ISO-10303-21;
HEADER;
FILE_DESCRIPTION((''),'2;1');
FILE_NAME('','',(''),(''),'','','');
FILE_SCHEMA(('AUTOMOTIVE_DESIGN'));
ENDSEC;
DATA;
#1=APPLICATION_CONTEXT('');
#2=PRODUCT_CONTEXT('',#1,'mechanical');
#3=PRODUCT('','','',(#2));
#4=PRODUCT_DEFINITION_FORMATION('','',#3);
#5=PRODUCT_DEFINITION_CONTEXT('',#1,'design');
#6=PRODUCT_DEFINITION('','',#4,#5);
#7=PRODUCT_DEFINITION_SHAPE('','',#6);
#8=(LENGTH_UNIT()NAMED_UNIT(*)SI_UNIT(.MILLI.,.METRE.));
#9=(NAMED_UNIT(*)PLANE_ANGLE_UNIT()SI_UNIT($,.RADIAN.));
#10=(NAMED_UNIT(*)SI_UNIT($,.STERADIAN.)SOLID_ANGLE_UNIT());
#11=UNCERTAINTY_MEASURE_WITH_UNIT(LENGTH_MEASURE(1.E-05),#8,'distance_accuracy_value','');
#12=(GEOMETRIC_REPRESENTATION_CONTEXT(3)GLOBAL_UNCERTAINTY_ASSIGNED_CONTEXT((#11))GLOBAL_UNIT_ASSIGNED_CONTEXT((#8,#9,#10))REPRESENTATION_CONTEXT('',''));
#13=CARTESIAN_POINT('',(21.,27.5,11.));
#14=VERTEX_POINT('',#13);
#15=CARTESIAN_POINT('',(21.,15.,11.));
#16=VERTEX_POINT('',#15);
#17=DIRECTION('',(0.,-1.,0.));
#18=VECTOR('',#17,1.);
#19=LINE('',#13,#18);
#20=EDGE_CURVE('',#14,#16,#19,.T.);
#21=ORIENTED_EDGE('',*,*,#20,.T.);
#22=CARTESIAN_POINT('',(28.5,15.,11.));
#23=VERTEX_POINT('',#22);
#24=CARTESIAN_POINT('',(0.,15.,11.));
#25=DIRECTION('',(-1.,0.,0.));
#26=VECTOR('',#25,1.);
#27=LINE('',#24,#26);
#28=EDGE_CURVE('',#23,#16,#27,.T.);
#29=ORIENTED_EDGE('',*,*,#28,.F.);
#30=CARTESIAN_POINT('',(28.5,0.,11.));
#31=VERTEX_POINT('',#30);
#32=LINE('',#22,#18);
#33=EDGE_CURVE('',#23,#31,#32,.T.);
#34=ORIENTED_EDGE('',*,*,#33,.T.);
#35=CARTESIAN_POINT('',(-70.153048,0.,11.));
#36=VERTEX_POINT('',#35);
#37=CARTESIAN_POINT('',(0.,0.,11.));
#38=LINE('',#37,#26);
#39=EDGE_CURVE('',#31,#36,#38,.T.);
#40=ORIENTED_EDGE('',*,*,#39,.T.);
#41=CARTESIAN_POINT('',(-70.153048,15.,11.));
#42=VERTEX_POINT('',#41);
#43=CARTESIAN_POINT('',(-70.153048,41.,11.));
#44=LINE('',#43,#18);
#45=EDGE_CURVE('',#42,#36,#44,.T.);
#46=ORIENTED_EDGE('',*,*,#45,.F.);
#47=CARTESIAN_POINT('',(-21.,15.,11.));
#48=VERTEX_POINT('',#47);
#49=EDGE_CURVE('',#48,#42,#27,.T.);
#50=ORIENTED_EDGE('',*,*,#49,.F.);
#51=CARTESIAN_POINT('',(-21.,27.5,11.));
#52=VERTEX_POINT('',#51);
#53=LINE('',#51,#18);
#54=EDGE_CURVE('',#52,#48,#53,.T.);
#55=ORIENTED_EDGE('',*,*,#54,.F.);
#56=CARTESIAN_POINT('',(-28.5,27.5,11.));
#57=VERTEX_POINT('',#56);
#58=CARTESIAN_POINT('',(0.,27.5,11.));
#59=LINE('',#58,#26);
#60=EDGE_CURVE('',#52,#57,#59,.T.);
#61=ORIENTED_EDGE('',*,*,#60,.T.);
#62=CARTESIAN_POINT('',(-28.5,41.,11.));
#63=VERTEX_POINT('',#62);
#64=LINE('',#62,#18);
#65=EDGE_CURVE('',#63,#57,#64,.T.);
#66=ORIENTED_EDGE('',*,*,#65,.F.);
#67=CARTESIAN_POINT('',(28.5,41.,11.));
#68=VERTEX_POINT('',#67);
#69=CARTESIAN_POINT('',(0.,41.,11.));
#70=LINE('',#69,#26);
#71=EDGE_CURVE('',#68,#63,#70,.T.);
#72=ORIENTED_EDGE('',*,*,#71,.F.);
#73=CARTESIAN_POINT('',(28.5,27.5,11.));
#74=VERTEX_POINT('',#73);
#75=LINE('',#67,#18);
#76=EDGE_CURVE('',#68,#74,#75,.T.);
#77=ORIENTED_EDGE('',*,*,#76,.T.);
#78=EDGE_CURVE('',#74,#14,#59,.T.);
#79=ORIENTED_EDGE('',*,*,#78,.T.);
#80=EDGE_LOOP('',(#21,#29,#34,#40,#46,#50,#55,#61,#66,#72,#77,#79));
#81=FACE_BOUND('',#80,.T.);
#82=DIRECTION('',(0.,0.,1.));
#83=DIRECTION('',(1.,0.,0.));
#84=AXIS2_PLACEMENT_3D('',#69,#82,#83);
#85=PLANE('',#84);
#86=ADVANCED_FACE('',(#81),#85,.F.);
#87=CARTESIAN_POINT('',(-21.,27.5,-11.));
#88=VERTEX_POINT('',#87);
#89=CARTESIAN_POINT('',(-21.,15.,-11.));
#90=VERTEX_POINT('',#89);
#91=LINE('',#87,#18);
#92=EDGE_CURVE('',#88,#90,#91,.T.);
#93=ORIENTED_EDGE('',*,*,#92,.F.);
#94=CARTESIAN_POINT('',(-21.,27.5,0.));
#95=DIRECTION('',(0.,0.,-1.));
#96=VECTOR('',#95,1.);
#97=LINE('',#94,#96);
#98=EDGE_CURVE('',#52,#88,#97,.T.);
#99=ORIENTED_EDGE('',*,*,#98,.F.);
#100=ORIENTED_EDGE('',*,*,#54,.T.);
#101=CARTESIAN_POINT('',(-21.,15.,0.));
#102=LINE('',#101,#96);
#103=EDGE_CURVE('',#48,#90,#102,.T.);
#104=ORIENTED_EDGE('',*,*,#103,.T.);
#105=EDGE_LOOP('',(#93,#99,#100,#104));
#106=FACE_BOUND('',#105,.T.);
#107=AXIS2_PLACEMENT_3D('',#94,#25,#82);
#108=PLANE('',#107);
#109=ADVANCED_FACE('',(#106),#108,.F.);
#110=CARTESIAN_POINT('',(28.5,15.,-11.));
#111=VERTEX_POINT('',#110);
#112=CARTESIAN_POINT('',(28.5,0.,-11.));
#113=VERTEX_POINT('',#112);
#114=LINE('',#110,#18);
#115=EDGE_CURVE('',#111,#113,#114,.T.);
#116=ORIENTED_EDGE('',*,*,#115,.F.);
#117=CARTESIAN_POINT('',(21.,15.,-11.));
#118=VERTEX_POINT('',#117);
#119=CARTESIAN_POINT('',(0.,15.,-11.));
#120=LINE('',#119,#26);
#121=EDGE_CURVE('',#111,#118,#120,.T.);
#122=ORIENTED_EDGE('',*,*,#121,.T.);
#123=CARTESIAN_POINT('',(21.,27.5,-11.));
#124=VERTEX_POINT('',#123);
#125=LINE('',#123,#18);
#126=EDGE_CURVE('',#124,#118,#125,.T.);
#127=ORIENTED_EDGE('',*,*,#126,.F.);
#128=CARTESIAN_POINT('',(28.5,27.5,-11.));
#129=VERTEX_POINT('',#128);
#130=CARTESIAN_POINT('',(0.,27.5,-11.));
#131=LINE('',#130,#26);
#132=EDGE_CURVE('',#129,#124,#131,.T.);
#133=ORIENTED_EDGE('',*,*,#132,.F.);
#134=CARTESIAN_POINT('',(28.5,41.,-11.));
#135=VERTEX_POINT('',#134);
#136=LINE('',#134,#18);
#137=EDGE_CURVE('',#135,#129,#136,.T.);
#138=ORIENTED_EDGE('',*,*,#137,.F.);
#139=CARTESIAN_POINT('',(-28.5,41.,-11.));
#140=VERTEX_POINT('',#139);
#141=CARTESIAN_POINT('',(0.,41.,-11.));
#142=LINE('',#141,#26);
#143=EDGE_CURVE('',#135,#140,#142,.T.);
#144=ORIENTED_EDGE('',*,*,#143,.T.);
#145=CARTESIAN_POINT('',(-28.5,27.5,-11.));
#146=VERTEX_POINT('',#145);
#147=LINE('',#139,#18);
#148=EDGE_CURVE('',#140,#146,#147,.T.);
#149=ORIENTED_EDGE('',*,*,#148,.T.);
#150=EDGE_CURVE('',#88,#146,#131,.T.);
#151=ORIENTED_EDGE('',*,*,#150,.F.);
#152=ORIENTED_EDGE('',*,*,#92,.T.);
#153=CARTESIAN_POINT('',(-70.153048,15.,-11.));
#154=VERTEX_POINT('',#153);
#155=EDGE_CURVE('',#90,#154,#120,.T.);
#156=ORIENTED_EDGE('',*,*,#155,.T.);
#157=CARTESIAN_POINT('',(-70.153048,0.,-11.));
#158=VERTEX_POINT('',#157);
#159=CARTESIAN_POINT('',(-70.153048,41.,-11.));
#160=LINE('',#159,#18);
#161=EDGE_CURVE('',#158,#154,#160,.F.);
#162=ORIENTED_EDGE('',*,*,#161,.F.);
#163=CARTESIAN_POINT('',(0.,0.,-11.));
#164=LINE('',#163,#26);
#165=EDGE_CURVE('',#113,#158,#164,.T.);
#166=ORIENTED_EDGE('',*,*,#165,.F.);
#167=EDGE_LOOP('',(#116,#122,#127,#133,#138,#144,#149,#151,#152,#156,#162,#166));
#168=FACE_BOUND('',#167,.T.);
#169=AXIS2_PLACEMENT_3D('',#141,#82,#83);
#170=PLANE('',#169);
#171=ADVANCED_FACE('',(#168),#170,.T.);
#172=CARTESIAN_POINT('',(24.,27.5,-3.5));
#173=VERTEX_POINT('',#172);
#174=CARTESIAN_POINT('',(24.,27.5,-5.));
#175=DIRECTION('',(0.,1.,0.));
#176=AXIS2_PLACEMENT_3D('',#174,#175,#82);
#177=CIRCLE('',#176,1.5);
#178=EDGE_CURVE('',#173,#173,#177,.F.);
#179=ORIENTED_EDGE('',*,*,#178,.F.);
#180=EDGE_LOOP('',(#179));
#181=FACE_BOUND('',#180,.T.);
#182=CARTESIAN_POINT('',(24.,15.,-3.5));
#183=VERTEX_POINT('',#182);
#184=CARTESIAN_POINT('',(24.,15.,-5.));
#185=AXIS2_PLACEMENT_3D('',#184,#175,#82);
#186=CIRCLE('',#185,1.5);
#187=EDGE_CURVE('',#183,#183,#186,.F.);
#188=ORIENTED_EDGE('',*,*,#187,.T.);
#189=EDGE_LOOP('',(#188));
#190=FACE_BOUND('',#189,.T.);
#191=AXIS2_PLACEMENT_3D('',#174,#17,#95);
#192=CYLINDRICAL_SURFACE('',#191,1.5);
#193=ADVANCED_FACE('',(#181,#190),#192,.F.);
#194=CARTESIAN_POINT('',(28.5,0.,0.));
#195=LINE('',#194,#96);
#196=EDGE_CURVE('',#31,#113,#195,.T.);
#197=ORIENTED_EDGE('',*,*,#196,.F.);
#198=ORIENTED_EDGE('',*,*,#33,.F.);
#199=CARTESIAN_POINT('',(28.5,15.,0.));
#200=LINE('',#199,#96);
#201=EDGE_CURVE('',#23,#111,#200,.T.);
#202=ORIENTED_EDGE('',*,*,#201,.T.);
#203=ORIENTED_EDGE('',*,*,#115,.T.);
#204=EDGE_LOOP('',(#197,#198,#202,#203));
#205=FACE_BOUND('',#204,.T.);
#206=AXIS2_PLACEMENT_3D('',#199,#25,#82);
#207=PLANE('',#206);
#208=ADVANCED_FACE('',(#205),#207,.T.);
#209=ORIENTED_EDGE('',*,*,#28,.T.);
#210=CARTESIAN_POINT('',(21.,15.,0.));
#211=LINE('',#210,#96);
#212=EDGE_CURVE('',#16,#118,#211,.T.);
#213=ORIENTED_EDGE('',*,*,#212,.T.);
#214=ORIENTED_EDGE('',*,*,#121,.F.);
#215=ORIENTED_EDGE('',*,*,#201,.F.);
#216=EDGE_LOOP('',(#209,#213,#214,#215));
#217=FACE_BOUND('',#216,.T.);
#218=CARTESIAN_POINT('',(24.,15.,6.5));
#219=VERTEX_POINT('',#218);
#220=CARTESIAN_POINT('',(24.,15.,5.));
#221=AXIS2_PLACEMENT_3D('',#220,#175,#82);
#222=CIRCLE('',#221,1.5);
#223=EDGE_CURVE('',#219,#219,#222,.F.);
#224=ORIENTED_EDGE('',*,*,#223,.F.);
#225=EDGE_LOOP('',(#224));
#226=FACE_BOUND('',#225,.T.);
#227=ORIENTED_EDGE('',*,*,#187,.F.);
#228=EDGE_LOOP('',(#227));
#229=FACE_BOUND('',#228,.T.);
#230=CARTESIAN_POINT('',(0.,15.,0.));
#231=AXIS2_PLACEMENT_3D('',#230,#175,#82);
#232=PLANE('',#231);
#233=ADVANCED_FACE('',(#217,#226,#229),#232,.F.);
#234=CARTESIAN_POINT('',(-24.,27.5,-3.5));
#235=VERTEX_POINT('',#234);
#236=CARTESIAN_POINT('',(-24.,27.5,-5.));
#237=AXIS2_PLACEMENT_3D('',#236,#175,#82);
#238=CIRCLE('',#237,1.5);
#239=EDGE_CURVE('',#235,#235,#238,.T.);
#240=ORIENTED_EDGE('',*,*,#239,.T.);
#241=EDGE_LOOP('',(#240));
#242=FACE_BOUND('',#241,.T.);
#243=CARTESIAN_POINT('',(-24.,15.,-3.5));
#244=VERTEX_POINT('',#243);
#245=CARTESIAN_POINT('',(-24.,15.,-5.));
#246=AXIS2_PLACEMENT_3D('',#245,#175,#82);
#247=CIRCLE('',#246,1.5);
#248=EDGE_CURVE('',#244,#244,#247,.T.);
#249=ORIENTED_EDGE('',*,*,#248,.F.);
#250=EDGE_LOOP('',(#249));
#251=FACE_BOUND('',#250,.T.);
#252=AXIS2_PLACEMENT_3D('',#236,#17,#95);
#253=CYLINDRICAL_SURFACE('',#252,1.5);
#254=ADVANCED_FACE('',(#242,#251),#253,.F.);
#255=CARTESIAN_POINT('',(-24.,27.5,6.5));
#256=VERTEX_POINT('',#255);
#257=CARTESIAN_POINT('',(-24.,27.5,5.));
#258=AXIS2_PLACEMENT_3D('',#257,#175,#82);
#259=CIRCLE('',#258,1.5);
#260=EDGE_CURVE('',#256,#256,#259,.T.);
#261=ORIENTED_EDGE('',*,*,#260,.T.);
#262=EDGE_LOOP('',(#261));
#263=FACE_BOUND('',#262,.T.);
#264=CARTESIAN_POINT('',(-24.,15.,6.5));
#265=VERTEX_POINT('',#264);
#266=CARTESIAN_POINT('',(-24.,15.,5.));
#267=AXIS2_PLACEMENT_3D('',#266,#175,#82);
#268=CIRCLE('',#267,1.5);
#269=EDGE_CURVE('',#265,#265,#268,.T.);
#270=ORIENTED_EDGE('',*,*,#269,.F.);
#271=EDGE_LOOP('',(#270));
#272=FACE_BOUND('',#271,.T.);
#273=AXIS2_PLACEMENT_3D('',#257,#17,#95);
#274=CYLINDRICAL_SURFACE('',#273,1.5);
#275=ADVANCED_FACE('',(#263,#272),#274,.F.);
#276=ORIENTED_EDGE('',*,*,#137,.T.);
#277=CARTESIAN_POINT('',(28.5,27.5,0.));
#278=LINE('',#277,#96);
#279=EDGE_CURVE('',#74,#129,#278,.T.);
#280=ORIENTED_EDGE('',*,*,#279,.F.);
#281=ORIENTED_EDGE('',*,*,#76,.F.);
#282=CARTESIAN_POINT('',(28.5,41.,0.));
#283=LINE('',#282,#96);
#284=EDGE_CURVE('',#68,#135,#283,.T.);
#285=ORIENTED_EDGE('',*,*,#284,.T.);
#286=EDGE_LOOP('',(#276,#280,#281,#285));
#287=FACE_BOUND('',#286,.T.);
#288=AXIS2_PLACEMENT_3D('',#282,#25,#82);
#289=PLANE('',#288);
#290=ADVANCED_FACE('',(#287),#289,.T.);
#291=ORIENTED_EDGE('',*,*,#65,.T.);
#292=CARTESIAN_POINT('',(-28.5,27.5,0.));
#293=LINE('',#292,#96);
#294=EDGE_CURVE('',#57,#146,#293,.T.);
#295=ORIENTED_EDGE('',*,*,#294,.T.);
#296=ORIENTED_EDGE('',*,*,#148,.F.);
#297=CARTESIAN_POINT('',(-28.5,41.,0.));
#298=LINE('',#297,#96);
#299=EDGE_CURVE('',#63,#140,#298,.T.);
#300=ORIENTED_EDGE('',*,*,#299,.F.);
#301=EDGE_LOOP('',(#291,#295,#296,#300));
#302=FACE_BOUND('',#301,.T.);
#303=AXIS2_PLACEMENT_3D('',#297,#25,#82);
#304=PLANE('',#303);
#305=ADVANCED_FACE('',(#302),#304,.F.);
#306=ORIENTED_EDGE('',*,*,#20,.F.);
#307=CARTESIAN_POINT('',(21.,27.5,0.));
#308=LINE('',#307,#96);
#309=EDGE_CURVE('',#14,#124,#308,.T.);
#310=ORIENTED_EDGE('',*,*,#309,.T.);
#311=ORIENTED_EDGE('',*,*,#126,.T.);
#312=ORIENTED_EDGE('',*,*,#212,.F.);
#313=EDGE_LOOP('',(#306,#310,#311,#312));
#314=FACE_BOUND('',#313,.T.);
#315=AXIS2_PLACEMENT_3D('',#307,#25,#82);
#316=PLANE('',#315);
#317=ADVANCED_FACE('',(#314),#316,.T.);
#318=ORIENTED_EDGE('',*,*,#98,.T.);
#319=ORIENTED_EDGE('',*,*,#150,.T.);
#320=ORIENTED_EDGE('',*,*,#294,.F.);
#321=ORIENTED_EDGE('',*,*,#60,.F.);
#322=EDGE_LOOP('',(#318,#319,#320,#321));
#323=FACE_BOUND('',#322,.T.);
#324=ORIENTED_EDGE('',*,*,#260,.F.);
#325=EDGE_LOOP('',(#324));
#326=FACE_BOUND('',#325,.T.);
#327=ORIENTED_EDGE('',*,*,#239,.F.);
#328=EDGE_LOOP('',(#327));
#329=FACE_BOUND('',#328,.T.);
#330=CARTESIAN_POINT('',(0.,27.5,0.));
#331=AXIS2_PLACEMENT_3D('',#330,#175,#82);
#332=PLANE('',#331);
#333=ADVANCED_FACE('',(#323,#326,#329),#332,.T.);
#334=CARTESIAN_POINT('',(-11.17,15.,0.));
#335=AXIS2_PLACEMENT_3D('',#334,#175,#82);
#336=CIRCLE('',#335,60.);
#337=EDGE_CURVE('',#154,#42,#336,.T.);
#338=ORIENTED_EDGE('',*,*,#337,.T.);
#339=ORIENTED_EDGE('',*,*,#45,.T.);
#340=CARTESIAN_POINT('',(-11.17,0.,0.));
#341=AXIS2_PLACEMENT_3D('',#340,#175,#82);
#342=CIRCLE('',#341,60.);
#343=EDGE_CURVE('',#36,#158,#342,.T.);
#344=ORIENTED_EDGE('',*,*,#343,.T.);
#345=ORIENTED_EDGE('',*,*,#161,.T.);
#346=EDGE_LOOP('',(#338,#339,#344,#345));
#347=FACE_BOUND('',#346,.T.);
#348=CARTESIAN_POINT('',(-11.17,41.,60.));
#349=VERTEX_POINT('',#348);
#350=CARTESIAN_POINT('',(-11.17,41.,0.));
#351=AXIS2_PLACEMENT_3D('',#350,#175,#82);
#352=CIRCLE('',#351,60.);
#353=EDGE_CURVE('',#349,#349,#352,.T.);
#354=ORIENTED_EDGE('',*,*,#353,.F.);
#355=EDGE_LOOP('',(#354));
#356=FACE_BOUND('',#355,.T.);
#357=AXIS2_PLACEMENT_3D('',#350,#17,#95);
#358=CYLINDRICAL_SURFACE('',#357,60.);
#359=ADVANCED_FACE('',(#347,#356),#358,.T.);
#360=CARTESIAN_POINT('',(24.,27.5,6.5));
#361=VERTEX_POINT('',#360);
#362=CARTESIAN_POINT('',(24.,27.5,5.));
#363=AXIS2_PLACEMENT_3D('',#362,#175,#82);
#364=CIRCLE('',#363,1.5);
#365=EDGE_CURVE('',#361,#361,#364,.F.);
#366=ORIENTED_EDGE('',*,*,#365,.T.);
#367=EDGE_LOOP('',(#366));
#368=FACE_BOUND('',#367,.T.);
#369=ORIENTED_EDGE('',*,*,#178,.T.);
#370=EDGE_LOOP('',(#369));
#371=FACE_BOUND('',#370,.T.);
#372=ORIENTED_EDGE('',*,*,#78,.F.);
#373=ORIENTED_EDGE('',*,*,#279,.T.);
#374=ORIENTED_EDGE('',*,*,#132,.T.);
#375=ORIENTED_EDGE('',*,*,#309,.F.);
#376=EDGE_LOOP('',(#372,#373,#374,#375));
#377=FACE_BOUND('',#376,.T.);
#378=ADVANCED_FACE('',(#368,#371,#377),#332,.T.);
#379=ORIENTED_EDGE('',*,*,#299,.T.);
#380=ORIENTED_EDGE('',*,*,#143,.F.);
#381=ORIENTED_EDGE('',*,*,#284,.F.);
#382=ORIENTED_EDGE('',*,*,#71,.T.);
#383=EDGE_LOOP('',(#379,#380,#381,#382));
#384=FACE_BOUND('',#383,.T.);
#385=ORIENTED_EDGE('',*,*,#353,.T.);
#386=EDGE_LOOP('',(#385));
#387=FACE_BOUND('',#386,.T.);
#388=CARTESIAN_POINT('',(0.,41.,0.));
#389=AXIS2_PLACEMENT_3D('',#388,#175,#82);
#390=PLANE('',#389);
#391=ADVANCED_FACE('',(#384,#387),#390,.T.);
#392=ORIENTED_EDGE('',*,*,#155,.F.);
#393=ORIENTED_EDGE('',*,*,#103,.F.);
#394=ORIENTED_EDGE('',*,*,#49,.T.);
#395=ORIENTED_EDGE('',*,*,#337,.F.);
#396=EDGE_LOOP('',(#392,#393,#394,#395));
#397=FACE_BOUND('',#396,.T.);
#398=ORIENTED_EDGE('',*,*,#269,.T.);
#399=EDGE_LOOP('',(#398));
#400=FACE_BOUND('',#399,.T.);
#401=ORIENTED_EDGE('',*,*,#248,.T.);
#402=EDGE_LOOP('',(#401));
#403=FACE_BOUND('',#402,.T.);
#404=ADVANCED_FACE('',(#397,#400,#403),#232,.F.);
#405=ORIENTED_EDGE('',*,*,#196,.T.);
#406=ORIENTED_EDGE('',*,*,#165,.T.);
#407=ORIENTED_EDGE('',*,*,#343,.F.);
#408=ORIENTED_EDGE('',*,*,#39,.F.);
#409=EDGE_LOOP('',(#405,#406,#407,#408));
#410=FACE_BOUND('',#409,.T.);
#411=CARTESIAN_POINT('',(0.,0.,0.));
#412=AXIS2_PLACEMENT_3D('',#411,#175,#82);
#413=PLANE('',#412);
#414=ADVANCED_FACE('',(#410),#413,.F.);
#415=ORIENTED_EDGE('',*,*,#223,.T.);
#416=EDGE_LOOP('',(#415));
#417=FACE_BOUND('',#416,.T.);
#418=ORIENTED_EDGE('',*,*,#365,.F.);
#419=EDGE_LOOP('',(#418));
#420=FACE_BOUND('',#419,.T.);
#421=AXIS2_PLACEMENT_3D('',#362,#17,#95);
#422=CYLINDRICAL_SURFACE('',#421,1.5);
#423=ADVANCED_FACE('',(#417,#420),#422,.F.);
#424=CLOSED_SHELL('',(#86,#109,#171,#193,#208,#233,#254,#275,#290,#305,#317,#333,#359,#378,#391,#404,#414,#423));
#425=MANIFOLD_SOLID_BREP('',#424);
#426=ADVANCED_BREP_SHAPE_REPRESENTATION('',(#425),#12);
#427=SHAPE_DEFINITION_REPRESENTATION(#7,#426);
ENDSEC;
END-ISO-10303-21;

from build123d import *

# Parameters (mm, degrees)
SKETCH1_W             = 7.5
SKETCH1_H             = 22
SKETCH1_R             = 1.5
BOSS_EXTRUDE2_DEPTH   = 27.5
BOSS_EXTRUDE2_2_DEPTH = 27.5
SKETCH1_5_R           = 60
BOSS_EXTRUDE3_DEPTH   = 41
SKETCH1_7_W           = 7.5
SKETCH1_7_H           = 22
SKETCH1_7_R           = 1.5
CUT_EXTRUDE1_DEPTH    = 15
SKETCH2_W             = 56.358839631
SKETCH2_H             = 22
CUT_EXTRUDE2_DEPTH    = 15


with BuildPart() as part:
    # Sketch1 → Boss-Extrude2 (new body)
    with BuildSketch(Plane(origin=(0, 0, 0), x_dir=(1, 0, 0), z_dir=(0, 1, 0))):
        with Locations((24.75, 0)):
            Rectangle(SKETCH1_W, SKETCH1_H)
        with Locations((24, -5)):
            Circle(SKETCH1_R, mode=Mode.SUBTRACT)
        with Locations((24, 5)):
            Circle(SKETCH1_R, mode=Mode.SUBTRACT)
    extrude(amount=BOSS_EXTRUDE2_DEPTH)



with BuildPart() as body_2:
    # Sketch1 → Boss-Extrude2 2 (new body)
    with BuildSketch(Plane(origin=(0, 0, 0), x_dir=(1, 0, 0), z_dir=(0, 1, 0))):
        with Locations((-24.75, 0)):
            Rectangle(SKETCH1_W, SKETCH1_H)
        with Locations((-24, -5)):
            Circle(SKETCH1_R, mode=Mode.SUBTRACT)
        with Locations((-24, 5)):
            Circle(SKETCH1_R, mode=Mode.SUBTRACT)
    extrude(amount=BOSS_EXTRUDE2_2_DEPTH)


with BuildPart() as part_1:
    add(part.part)

    add(body_2.part)  # Boss-Extrude3 merges body 2
    # Sketch1<5> → Boss-Extrude3 (add)
    with BuildSketch(Plane(origin=(0, 0, 0), x_dir=(1, 0, 0), z_dir=(0, 1, 0))):
        with Locations((-11.17, 0)):
            Circle(SKETCH1_5_R)
        Polygon((28.5, -11), (21, -11), (-21, -11), (-28.5, -11), (-28.5, 11), (-21, 11), (21, 11), (28.5, 11), align=None, mode=Mode.SUBTRACT)
    extrude(amount=BOSS_EXTRUDE3_DEPTH)

    # Sketch1<7> → Cut-Extrude1 (cut)
    # profile 1 of 2: a face of its own
    with BuildSketch(Plane(origin=(0, 0, 0), x_dir=(1, 0, 0), z_dir=(0, 1, 0))):
        with Locations((24.75, 0)):
            Rectangle(SKETCH1_7_W, SKETCH1_7_H)
        with Locations((24, -5)):
            Circle(SKETCH1_7_R, mode=Mode.SUBTRACT)
        with Locations((24, 5)):
            Circle(SKETCH1_7_R, mode=Mode.SUBTRACT)
    # profile 2 of 2: a face of its own
    with BuildSketch(Plane(origin=(0, 0, 0), x_dir=(1, 0, 0), z_dir=(0, 1, 0))):
        with Locations((-24.75, 0)):
            Rectangle(SKETCH1_7_W, SKETCH1_7_H)
        with Locations((-24, -5)):
            Circle(SKETCH1_7_R, mode=Mode.SUBTRACT)
        with Locations((-24, 5)):
            Circle(SKETCH1_7_R, mode=Mode.SUBTRACT)
    extrude(amount=CUT_EXTRUDE1_DEPTH, mode=Mode.SUBTRACT)

    # Sketch2 → Cut-Extrude2 (cut)
    with BuildSketch(Plane.XZ):
        with Locations((-56.679419816, 0)):
            Rectangle(SKETCH2_W, SKETCH2_H)
    extrude(amount=-CUT_EXTRUDE2_DEPTH, mode=Mode.SUBTRACT)


solid = part_1.part
